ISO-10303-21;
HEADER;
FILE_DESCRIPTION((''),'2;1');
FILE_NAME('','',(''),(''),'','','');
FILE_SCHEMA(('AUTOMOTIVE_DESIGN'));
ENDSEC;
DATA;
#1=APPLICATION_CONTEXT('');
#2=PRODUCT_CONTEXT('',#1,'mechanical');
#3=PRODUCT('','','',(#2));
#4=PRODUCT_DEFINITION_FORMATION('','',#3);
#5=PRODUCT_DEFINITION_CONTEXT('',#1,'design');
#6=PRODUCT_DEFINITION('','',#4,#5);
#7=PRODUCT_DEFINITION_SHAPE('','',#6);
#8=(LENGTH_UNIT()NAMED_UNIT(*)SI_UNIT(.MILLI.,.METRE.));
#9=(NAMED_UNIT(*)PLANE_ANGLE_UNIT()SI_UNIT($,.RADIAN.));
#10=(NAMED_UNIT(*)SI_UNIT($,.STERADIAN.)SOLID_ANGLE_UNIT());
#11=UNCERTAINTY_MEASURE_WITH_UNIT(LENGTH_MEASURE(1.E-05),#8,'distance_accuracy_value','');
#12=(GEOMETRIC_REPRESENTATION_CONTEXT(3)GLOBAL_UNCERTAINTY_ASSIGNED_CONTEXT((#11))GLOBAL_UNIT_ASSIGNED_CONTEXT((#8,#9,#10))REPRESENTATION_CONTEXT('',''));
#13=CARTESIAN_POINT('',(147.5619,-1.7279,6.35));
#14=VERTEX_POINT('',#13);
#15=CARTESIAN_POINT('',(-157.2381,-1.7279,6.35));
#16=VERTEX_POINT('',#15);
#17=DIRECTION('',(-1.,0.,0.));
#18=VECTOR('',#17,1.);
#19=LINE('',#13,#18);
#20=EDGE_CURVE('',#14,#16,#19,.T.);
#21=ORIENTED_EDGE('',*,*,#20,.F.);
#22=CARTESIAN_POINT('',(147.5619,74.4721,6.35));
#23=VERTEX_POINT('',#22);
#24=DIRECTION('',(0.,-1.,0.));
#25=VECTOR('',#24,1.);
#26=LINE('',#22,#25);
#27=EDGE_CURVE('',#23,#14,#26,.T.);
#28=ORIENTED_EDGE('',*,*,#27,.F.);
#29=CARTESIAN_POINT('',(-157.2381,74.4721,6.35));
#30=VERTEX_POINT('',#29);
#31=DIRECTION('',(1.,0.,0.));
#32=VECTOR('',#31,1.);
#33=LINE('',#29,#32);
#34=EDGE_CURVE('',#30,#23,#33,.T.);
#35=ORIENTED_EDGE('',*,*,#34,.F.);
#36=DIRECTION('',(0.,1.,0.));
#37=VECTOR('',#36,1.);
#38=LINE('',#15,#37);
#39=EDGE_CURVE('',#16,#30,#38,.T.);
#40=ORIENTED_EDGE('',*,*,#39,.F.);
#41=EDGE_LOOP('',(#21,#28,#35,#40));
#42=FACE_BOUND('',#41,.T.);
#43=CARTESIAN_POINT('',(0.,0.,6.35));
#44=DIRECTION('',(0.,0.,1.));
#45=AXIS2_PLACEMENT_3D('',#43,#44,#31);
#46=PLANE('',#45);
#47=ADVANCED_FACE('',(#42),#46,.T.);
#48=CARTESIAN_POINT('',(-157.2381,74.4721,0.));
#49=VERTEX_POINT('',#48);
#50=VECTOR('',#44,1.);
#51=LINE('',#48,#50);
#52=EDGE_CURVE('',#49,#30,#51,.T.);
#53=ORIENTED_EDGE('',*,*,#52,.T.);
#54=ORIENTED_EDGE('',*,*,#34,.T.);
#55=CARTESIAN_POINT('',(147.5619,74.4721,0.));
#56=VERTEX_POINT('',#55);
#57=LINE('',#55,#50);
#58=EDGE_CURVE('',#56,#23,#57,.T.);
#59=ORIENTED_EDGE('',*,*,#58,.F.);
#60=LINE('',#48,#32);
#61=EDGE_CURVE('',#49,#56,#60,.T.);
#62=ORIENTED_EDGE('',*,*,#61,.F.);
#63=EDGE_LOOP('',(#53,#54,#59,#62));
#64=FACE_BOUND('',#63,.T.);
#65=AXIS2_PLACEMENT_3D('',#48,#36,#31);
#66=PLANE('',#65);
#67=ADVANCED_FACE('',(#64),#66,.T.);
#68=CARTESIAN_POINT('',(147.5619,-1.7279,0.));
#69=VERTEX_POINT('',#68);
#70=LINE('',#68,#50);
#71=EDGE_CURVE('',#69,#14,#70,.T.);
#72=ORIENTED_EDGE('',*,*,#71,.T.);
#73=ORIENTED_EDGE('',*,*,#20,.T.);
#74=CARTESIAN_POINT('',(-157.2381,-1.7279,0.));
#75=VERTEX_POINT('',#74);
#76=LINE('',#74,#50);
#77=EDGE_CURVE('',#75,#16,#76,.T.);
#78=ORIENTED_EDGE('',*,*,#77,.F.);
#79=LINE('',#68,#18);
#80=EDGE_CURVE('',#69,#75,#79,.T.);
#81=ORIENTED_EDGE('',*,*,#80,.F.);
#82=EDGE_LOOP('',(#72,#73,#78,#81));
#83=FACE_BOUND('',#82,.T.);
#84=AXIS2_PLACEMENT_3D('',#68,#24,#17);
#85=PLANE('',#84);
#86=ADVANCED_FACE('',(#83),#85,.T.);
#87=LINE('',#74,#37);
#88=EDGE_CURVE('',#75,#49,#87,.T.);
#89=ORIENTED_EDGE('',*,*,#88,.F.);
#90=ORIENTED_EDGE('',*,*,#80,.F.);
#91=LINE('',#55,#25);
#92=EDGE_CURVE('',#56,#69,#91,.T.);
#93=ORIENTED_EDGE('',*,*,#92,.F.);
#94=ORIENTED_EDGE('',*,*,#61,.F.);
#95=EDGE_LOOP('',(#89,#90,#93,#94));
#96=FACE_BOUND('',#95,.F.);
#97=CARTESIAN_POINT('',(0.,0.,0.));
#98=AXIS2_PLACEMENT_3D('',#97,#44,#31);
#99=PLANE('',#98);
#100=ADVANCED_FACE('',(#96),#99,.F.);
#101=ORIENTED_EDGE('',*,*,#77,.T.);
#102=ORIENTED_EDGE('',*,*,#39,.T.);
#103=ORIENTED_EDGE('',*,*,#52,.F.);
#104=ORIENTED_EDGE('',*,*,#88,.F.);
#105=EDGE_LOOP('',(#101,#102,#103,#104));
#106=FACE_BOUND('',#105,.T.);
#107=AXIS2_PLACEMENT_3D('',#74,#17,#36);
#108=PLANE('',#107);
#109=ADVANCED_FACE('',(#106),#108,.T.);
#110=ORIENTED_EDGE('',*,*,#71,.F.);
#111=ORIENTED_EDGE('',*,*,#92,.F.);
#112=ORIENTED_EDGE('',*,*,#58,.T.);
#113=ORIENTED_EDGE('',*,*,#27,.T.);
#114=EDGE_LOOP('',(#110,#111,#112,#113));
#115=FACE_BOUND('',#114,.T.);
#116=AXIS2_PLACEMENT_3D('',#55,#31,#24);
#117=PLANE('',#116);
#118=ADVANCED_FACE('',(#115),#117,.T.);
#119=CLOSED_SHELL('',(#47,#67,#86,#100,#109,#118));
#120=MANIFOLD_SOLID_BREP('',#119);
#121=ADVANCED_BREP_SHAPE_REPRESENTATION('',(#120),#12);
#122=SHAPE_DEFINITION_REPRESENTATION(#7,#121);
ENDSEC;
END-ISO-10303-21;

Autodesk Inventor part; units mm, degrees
ref_plane "YZ Plane" through (0, 0, 0) normal (1, 0, 0) x (0, 1, 0)
ref_plane "XZ Plane" through (0, 0, 0) normal (0, 1, 0) x (-1, 0, 0)
ref_plane "XY Plane" through (0, 0, 0) normal (0, 0, 1) x (1, 0, 0)
sketch "Sketch1" plane through (0, 0, 0) normal (0, 0, 1) x (1, 0, 0)
  line L0 (-157.2381, 74.4721) -> (147.5619, 74.4721)
  line L1 (147.5619, 74.4721) -> (147.5619, -1.7279)
  line L2 (147.5619, -1.7279) -> (-157.2381, -1.7279)
  line L3 (-157.2381, -1.7279) -> (-157.2381, 74.4721)
  point P0 (0, 0)
  dimension "d0" = 304.8
  dimension "d1" = 76.2
extrude "Extrusion1" add sketch "Sketch1" along normal blind 6.35
properties part number "jh"
